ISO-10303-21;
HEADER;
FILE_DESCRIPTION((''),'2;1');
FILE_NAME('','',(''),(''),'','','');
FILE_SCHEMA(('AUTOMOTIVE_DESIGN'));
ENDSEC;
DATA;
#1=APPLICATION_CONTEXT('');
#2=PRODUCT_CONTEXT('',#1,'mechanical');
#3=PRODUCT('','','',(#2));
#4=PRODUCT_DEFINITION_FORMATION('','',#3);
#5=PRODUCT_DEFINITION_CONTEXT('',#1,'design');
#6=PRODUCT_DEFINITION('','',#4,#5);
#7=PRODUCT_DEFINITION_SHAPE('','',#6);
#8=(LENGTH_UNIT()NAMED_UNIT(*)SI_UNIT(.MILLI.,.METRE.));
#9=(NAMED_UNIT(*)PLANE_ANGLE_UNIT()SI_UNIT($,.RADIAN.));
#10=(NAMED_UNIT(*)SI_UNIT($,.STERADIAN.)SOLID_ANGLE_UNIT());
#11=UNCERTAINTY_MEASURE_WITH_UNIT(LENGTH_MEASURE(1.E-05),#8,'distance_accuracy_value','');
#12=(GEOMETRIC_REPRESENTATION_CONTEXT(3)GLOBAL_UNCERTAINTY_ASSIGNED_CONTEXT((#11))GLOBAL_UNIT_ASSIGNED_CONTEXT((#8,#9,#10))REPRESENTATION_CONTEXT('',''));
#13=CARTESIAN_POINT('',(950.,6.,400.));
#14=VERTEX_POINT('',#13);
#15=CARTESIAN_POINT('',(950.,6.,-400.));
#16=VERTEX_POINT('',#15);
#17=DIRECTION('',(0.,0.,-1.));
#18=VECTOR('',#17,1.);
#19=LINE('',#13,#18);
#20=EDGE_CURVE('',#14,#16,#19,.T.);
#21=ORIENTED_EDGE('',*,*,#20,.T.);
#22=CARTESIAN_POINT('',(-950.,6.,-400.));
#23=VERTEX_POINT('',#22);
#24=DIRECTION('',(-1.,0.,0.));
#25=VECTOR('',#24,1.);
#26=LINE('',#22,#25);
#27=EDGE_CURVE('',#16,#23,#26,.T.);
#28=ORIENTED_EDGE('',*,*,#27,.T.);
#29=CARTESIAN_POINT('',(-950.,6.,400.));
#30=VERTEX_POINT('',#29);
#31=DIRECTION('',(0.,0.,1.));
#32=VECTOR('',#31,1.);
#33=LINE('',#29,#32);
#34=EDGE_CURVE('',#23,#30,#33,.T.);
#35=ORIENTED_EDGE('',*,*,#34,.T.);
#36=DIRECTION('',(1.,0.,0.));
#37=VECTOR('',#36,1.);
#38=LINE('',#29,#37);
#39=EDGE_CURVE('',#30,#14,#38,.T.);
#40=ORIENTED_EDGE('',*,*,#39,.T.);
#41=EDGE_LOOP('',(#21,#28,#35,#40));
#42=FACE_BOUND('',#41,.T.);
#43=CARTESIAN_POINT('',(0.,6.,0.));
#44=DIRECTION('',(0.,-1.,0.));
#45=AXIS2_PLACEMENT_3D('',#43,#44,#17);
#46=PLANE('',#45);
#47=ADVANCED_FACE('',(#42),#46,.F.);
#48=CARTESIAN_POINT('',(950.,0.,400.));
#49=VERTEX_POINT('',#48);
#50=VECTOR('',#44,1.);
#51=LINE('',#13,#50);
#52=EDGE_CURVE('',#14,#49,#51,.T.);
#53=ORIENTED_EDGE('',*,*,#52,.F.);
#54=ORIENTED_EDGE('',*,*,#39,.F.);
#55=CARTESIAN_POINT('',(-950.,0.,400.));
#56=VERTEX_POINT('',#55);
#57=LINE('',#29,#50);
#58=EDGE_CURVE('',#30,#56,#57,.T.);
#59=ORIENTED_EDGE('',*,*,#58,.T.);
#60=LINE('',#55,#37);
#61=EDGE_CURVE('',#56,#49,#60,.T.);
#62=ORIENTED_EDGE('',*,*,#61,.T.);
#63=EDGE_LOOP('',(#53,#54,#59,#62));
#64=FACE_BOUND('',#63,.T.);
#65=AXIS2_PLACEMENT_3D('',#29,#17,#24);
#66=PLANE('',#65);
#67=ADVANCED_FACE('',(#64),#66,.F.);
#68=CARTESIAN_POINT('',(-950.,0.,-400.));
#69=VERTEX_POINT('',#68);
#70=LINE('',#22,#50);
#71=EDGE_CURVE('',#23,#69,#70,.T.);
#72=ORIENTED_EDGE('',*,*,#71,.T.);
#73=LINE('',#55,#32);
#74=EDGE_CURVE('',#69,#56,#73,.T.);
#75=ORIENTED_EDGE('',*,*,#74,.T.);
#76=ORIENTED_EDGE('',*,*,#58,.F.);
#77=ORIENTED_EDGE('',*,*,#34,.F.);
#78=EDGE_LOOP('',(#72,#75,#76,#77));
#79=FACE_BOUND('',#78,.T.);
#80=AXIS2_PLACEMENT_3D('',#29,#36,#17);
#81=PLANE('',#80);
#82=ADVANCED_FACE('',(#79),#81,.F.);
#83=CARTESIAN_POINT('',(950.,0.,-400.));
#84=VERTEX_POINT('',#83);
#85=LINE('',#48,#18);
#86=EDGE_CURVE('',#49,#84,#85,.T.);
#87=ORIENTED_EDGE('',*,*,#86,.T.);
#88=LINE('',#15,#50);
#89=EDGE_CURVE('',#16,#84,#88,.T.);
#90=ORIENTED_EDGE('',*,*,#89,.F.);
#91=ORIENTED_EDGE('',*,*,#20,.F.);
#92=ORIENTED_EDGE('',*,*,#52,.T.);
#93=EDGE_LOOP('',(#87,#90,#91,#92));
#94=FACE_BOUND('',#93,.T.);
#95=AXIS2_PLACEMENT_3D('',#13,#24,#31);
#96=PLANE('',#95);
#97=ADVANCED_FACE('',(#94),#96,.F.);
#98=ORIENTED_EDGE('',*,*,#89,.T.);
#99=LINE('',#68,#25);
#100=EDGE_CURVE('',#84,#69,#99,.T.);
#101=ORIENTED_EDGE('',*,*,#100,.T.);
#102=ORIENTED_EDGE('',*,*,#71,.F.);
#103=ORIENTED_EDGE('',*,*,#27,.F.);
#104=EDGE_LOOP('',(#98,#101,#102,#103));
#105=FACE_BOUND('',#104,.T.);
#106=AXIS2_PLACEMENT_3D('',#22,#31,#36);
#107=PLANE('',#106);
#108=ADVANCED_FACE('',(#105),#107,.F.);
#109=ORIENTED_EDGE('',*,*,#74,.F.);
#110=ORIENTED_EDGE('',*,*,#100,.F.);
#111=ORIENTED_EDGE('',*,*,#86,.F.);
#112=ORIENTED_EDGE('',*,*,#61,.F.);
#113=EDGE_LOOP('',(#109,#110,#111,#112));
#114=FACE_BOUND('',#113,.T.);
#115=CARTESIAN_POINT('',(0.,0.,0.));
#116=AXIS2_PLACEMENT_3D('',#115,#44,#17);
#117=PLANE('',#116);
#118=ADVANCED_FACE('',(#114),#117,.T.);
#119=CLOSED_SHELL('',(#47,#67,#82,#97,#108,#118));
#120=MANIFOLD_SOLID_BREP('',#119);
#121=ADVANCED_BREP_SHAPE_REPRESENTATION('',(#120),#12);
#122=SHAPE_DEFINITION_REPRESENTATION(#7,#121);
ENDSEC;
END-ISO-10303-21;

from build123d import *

# Parameters (mm, degrees)
SKETCH_1_W      = 1900
SKETCH_1_H      = 800
EXTRUDE_1_DEPTH = 6


with BuildPart() as part:
    # Эскиз1 → Бобышка-Вытянуть1 (new body)
    with BuildSketch(Plane(origin=(0, 0, 0), x_dir=(1, 0, 0), z_dir=(0, 1, 0))):
        Rectangle(SKETCH_1_W, SKETCH_1_H)
    extrude(amount=EXTRUDE_1_DEPTH)


solid = part.part
